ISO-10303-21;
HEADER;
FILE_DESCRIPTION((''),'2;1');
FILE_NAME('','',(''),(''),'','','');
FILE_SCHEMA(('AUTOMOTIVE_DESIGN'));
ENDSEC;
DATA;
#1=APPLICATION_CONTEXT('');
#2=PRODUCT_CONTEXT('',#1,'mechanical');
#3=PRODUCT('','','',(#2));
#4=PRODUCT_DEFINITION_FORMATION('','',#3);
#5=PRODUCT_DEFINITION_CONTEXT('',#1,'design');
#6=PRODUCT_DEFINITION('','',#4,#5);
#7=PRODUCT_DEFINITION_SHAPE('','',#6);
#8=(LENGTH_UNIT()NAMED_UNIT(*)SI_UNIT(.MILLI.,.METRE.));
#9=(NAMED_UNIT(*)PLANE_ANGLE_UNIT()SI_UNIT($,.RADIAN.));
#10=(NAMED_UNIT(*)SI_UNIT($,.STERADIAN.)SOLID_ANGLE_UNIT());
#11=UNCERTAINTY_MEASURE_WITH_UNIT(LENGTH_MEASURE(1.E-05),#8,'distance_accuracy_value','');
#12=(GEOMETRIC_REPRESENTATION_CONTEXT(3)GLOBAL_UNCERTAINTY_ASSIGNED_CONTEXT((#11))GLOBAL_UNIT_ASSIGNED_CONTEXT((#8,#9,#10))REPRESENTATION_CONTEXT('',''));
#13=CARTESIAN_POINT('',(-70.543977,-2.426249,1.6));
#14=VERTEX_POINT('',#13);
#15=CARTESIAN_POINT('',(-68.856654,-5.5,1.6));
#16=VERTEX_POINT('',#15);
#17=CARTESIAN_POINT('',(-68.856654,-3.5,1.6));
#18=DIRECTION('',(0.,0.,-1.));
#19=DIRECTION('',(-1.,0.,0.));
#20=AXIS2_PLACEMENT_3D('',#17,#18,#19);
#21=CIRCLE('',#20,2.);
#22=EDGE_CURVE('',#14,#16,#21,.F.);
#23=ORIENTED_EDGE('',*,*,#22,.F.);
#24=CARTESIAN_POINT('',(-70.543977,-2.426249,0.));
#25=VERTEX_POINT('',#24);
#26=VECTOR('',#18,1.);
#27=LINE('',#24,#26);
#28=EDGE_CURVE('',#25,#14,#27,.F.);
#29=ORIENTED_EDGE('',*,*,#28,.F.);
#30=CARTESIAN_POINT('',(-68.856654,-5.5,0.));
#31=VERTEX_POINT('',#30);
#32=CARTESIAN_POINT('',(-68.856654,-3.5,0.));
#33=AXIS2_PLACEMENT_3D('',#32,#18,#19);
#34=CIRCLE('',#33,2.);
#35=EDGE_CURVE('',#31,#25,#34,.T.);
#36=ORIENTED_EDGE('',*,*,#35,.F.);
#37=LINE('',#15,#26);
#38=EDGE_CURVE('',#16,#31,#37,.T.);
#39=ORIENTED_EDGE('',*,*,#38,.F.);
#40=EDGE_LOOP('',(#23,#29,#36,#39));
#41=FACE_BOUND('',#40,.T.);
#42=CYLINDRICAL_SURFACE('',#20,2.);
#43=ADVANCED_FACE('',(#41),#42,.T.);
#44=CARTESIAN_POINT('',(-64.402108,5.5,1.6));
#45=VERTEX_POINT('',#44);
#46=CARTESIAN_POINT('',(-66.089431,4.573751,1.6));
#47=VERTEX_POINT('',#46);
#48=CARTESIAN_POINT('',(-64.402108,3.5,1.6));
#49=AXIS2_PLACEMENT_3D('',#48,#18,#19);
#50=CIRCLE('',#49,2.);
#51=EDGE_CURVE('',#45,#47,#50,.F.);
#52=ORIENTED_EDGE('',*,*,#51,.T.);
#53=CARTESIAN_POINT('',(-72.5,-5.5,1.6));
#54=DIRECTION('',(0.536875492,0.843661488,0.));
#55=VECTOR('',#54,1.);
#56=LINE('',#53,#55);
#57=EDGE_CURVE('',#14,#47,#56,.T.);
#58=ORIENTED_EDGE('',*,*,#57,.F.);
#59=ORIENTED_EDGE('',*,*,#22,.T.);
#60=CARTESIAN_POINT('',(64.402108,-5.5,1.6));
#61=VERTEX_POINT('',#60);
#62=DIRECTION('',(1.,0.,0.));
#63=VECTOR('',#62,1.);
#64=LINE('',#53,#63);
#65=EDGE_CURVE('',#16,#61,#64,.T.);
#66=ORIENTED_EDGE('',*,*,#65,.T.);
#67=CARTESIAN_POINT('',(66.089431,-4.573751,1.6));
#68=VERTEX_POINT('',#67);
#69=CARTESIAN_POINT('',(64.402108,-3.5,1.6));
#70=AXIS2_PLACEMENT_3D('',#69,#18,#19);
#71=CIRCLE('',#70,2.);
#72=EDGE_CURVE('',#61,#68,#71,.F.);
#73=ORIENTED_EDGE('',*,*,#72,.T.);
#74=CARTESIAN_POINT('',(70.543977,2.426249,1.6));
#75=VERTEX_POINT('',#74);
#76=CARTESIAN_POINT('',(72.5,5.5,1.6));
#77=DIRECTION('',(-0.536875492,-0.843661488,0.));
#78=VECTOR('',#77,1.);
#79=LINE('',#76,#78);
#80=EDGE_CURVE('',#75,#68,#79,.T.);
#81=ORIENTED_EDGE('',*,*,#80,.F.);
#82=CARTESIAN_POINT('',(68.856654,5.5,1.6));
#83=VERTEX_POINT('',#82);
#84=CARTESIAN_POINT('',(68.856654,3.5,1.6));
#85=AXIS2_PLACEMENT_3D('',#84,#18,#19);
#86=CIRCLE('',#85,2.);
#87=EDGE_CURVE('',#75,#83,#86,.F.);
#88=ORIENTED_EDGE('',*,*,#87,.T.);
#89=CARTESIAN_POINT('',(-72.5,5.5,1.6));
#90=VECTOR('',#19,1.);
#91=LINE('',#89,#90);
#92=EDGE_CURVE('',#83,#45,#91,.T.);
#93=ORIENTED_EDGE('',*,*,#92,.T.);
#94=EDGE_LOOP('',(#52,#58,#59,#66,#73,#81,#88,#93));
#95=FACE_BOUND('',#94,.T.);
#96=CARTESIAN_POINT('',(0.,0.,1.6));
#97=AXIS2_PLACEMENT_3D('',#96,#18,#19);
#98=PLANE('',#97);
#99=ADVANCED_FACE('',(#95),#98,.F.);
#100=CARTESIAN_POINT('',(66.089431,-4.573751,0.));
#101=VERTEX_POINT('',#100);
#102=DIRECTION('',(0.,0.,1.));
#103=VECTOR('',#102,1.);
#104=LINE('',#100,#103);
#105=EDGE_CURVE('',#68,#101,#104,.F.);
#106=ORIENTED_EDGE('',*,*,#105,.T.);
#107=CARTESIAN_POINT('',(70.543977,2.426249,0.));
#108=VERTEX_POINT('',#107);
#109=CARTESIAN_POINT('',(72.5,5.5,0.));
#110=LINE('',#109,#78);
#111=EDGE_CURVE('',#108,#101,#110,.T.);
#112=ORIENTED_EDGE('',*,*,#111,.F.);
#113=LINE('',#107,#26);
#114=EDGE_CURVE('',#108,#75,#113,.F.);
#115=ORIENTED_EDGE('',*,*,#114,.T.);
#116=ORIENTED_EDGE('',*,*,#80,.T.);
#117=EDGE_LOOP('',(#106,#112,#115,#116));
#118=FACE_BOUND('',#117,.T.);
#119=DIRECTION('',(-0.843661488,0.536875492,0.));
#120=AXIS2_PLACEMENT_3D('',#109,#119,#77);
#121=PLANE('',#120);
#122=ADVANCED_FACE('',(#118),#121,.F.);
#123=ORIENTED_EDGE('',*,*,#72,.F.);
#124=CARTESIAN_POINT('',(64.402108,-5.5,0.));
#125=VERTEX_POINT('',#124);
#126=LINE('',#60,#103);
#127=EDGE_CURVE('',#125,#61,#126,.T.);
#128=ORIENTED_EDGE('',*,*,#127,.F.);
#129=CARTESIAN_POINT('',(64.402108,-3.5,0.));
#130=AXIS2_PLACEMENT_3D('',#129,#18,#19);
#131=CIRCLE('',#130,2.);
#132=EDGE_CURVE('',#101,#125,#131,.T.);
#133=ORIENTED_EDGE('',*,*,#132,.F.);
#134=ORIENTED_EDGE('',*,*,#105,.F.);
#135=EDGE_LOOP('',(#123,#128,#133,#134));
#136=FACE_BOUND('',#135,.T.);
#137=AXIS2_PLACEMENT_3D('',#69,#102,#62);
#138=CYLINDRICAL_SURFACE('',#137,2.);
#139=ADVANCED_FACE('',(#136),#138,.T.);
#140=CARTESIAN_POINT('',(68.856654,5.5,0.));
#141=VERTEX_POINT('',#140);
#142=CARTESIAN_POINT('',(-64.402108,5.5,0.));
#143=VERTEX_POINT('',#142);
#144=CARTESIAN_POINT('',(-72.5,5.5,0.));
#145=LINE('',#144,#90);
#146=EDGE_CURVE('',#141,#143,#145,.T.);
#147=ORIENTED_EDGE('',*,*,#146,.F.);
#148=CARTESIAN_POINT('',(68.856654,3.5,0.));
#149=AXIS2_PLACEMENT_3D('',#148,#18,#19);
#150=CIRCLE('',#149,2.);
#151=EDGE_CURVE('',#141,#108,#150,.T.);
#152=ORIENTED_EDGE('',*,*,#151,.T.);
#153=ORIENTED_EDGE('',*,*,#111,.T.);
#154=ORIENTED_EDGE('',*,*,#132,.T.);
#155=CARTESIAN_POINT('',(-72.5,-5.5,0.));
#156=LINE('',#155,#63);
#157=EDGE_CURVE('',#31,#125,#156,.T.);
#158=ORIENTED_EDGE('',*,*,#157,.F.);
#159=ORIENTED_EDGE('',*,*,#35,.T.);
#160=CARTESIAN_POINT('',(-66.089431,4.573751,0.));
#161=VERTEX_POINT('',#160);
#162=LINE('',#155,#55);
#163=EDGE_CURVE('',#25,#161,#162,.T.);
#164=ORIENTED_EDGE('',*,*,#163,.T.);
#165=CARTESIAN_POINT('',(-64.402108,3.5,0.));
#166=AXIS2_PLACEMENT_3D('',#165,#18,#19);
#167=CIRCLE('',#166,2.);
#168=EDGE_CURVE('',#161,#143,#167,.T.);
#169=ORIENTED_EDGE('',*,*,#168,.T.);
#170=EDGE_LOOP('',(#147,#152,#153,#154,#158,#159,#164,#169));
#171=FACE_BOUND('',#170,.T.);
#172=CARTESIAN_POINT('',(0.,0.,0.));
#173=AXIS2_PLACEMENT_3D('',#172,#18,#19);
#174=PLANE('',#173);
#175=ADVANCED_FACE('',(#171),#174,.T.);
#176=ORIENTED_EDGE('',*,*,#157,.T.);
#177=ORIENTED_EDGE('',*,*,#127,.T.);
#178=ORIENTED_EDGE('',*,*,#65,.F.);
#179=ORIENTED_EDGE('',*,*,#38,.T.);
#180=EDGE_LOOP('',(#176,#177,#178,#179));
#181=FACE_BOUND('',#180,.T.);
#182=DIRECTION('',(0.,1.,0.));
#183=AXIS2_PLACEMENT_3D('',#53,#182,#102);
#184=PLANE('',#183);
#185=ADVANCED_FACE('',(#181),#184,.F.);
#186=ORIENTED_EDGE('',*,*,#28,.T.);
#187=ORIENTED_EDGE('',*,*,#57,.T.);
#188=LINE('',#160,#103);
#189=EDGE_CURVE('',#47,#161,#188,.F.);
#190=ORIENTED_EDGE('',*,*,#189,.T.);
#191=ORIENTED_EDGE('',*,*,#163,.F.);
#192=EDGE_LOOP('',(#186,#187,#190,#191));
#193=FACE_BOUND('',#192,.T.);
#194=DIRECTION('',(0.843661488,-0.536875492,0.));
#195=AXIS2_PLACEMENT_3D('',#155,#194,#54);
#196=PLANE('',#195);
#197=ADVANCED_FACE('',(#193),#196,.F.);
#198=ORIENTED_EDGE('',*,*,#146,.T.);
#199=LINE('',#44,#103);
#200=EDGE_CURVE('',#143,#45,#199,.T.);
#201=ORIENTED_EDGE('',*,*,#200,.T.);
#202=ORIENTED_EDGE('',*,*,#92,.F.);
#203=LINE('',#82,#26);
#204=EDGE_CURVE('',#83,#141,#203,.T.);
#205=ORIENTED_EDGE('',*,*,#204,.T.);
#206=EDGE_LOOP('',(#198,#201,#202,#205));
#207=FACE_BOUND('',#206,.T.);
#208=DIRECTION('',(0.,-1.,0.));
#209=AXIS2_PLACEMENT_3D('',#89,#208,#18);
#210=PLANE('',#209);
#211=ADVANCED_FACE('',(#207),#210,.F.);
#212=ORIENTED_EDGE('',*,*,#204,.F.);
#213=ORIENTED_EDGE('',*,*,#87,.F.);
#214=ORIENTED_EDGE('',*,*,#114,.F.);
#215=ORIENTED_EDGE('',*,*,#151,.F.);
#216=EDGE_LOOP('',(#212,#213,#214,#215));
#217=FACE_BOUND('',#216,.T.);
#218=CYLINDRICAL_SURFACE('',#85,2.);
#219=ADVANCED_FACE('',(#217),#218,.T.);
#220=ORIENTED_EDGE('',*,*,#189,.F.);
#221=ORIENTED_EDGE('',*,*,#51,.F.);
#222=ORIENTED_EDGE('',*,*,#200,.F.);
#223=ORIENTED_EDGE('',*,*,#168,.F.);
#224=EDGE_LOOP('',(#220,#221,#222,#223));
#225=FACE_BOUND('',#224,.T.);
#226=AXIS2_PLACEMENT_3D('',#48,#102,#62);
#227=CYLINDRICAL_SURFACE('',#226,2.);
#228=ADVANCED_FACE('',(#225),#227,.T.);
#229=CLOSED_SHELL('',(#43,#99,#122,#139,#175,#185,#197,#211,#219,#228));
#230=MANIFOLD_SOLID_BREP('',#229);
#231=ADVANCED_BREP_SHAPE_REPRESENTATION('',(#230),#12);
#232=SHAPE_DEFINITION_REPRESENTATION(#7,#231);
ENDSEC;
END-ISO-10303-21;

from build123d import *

# Parameters (mm, degrees)
SKETCH1_W           = 145
SKETCH1_H           = 11
BOSS_EXTRUDE1_DEPTH = 1.6
CUT_EXTRUDE1_DEPTH  = 73.725923851
FILLET2_R           = 2


with BuildPart() as part:
    # Sketch1 → Boss-Extrude1 (new body)
    with BuildSketch(Plane.XY):
        Rectangle(SKETCH1_W, SKETCH1_H)
    extrude(amount=BOSS_EXTRUDE1_DEPTH)

    # Sketch2 → Cut-Extrude1 (cut, through all)
    with BuildSketch(Plane.XY.offset(1.6)):
        Polygon((-72.5, -5.5), (-65.5, 5.5), (-72.5, 5.5), align=None)
        Polygon((72.5, 5.5), (65.5, -5.5), (72.5, -5.5), align=None)
    extrude(amount=-CUT_EXTRUDE1_DEPTH, mode=Mode.SUBTRACT)

    # Fillet2
    fillet2_edges = [part.edges().sort_by_distance(p)[0] for p in [
        (-65.5, 5.5, 0.8),
        (65.5, -5.5, 0.8),
        (-72.5, -5.5, 0.8),
        (72.5, 5.5, 0.8),
    ]]
    fillet(fillet2_edges, radius=FILLET2_R)


solid = part.part
